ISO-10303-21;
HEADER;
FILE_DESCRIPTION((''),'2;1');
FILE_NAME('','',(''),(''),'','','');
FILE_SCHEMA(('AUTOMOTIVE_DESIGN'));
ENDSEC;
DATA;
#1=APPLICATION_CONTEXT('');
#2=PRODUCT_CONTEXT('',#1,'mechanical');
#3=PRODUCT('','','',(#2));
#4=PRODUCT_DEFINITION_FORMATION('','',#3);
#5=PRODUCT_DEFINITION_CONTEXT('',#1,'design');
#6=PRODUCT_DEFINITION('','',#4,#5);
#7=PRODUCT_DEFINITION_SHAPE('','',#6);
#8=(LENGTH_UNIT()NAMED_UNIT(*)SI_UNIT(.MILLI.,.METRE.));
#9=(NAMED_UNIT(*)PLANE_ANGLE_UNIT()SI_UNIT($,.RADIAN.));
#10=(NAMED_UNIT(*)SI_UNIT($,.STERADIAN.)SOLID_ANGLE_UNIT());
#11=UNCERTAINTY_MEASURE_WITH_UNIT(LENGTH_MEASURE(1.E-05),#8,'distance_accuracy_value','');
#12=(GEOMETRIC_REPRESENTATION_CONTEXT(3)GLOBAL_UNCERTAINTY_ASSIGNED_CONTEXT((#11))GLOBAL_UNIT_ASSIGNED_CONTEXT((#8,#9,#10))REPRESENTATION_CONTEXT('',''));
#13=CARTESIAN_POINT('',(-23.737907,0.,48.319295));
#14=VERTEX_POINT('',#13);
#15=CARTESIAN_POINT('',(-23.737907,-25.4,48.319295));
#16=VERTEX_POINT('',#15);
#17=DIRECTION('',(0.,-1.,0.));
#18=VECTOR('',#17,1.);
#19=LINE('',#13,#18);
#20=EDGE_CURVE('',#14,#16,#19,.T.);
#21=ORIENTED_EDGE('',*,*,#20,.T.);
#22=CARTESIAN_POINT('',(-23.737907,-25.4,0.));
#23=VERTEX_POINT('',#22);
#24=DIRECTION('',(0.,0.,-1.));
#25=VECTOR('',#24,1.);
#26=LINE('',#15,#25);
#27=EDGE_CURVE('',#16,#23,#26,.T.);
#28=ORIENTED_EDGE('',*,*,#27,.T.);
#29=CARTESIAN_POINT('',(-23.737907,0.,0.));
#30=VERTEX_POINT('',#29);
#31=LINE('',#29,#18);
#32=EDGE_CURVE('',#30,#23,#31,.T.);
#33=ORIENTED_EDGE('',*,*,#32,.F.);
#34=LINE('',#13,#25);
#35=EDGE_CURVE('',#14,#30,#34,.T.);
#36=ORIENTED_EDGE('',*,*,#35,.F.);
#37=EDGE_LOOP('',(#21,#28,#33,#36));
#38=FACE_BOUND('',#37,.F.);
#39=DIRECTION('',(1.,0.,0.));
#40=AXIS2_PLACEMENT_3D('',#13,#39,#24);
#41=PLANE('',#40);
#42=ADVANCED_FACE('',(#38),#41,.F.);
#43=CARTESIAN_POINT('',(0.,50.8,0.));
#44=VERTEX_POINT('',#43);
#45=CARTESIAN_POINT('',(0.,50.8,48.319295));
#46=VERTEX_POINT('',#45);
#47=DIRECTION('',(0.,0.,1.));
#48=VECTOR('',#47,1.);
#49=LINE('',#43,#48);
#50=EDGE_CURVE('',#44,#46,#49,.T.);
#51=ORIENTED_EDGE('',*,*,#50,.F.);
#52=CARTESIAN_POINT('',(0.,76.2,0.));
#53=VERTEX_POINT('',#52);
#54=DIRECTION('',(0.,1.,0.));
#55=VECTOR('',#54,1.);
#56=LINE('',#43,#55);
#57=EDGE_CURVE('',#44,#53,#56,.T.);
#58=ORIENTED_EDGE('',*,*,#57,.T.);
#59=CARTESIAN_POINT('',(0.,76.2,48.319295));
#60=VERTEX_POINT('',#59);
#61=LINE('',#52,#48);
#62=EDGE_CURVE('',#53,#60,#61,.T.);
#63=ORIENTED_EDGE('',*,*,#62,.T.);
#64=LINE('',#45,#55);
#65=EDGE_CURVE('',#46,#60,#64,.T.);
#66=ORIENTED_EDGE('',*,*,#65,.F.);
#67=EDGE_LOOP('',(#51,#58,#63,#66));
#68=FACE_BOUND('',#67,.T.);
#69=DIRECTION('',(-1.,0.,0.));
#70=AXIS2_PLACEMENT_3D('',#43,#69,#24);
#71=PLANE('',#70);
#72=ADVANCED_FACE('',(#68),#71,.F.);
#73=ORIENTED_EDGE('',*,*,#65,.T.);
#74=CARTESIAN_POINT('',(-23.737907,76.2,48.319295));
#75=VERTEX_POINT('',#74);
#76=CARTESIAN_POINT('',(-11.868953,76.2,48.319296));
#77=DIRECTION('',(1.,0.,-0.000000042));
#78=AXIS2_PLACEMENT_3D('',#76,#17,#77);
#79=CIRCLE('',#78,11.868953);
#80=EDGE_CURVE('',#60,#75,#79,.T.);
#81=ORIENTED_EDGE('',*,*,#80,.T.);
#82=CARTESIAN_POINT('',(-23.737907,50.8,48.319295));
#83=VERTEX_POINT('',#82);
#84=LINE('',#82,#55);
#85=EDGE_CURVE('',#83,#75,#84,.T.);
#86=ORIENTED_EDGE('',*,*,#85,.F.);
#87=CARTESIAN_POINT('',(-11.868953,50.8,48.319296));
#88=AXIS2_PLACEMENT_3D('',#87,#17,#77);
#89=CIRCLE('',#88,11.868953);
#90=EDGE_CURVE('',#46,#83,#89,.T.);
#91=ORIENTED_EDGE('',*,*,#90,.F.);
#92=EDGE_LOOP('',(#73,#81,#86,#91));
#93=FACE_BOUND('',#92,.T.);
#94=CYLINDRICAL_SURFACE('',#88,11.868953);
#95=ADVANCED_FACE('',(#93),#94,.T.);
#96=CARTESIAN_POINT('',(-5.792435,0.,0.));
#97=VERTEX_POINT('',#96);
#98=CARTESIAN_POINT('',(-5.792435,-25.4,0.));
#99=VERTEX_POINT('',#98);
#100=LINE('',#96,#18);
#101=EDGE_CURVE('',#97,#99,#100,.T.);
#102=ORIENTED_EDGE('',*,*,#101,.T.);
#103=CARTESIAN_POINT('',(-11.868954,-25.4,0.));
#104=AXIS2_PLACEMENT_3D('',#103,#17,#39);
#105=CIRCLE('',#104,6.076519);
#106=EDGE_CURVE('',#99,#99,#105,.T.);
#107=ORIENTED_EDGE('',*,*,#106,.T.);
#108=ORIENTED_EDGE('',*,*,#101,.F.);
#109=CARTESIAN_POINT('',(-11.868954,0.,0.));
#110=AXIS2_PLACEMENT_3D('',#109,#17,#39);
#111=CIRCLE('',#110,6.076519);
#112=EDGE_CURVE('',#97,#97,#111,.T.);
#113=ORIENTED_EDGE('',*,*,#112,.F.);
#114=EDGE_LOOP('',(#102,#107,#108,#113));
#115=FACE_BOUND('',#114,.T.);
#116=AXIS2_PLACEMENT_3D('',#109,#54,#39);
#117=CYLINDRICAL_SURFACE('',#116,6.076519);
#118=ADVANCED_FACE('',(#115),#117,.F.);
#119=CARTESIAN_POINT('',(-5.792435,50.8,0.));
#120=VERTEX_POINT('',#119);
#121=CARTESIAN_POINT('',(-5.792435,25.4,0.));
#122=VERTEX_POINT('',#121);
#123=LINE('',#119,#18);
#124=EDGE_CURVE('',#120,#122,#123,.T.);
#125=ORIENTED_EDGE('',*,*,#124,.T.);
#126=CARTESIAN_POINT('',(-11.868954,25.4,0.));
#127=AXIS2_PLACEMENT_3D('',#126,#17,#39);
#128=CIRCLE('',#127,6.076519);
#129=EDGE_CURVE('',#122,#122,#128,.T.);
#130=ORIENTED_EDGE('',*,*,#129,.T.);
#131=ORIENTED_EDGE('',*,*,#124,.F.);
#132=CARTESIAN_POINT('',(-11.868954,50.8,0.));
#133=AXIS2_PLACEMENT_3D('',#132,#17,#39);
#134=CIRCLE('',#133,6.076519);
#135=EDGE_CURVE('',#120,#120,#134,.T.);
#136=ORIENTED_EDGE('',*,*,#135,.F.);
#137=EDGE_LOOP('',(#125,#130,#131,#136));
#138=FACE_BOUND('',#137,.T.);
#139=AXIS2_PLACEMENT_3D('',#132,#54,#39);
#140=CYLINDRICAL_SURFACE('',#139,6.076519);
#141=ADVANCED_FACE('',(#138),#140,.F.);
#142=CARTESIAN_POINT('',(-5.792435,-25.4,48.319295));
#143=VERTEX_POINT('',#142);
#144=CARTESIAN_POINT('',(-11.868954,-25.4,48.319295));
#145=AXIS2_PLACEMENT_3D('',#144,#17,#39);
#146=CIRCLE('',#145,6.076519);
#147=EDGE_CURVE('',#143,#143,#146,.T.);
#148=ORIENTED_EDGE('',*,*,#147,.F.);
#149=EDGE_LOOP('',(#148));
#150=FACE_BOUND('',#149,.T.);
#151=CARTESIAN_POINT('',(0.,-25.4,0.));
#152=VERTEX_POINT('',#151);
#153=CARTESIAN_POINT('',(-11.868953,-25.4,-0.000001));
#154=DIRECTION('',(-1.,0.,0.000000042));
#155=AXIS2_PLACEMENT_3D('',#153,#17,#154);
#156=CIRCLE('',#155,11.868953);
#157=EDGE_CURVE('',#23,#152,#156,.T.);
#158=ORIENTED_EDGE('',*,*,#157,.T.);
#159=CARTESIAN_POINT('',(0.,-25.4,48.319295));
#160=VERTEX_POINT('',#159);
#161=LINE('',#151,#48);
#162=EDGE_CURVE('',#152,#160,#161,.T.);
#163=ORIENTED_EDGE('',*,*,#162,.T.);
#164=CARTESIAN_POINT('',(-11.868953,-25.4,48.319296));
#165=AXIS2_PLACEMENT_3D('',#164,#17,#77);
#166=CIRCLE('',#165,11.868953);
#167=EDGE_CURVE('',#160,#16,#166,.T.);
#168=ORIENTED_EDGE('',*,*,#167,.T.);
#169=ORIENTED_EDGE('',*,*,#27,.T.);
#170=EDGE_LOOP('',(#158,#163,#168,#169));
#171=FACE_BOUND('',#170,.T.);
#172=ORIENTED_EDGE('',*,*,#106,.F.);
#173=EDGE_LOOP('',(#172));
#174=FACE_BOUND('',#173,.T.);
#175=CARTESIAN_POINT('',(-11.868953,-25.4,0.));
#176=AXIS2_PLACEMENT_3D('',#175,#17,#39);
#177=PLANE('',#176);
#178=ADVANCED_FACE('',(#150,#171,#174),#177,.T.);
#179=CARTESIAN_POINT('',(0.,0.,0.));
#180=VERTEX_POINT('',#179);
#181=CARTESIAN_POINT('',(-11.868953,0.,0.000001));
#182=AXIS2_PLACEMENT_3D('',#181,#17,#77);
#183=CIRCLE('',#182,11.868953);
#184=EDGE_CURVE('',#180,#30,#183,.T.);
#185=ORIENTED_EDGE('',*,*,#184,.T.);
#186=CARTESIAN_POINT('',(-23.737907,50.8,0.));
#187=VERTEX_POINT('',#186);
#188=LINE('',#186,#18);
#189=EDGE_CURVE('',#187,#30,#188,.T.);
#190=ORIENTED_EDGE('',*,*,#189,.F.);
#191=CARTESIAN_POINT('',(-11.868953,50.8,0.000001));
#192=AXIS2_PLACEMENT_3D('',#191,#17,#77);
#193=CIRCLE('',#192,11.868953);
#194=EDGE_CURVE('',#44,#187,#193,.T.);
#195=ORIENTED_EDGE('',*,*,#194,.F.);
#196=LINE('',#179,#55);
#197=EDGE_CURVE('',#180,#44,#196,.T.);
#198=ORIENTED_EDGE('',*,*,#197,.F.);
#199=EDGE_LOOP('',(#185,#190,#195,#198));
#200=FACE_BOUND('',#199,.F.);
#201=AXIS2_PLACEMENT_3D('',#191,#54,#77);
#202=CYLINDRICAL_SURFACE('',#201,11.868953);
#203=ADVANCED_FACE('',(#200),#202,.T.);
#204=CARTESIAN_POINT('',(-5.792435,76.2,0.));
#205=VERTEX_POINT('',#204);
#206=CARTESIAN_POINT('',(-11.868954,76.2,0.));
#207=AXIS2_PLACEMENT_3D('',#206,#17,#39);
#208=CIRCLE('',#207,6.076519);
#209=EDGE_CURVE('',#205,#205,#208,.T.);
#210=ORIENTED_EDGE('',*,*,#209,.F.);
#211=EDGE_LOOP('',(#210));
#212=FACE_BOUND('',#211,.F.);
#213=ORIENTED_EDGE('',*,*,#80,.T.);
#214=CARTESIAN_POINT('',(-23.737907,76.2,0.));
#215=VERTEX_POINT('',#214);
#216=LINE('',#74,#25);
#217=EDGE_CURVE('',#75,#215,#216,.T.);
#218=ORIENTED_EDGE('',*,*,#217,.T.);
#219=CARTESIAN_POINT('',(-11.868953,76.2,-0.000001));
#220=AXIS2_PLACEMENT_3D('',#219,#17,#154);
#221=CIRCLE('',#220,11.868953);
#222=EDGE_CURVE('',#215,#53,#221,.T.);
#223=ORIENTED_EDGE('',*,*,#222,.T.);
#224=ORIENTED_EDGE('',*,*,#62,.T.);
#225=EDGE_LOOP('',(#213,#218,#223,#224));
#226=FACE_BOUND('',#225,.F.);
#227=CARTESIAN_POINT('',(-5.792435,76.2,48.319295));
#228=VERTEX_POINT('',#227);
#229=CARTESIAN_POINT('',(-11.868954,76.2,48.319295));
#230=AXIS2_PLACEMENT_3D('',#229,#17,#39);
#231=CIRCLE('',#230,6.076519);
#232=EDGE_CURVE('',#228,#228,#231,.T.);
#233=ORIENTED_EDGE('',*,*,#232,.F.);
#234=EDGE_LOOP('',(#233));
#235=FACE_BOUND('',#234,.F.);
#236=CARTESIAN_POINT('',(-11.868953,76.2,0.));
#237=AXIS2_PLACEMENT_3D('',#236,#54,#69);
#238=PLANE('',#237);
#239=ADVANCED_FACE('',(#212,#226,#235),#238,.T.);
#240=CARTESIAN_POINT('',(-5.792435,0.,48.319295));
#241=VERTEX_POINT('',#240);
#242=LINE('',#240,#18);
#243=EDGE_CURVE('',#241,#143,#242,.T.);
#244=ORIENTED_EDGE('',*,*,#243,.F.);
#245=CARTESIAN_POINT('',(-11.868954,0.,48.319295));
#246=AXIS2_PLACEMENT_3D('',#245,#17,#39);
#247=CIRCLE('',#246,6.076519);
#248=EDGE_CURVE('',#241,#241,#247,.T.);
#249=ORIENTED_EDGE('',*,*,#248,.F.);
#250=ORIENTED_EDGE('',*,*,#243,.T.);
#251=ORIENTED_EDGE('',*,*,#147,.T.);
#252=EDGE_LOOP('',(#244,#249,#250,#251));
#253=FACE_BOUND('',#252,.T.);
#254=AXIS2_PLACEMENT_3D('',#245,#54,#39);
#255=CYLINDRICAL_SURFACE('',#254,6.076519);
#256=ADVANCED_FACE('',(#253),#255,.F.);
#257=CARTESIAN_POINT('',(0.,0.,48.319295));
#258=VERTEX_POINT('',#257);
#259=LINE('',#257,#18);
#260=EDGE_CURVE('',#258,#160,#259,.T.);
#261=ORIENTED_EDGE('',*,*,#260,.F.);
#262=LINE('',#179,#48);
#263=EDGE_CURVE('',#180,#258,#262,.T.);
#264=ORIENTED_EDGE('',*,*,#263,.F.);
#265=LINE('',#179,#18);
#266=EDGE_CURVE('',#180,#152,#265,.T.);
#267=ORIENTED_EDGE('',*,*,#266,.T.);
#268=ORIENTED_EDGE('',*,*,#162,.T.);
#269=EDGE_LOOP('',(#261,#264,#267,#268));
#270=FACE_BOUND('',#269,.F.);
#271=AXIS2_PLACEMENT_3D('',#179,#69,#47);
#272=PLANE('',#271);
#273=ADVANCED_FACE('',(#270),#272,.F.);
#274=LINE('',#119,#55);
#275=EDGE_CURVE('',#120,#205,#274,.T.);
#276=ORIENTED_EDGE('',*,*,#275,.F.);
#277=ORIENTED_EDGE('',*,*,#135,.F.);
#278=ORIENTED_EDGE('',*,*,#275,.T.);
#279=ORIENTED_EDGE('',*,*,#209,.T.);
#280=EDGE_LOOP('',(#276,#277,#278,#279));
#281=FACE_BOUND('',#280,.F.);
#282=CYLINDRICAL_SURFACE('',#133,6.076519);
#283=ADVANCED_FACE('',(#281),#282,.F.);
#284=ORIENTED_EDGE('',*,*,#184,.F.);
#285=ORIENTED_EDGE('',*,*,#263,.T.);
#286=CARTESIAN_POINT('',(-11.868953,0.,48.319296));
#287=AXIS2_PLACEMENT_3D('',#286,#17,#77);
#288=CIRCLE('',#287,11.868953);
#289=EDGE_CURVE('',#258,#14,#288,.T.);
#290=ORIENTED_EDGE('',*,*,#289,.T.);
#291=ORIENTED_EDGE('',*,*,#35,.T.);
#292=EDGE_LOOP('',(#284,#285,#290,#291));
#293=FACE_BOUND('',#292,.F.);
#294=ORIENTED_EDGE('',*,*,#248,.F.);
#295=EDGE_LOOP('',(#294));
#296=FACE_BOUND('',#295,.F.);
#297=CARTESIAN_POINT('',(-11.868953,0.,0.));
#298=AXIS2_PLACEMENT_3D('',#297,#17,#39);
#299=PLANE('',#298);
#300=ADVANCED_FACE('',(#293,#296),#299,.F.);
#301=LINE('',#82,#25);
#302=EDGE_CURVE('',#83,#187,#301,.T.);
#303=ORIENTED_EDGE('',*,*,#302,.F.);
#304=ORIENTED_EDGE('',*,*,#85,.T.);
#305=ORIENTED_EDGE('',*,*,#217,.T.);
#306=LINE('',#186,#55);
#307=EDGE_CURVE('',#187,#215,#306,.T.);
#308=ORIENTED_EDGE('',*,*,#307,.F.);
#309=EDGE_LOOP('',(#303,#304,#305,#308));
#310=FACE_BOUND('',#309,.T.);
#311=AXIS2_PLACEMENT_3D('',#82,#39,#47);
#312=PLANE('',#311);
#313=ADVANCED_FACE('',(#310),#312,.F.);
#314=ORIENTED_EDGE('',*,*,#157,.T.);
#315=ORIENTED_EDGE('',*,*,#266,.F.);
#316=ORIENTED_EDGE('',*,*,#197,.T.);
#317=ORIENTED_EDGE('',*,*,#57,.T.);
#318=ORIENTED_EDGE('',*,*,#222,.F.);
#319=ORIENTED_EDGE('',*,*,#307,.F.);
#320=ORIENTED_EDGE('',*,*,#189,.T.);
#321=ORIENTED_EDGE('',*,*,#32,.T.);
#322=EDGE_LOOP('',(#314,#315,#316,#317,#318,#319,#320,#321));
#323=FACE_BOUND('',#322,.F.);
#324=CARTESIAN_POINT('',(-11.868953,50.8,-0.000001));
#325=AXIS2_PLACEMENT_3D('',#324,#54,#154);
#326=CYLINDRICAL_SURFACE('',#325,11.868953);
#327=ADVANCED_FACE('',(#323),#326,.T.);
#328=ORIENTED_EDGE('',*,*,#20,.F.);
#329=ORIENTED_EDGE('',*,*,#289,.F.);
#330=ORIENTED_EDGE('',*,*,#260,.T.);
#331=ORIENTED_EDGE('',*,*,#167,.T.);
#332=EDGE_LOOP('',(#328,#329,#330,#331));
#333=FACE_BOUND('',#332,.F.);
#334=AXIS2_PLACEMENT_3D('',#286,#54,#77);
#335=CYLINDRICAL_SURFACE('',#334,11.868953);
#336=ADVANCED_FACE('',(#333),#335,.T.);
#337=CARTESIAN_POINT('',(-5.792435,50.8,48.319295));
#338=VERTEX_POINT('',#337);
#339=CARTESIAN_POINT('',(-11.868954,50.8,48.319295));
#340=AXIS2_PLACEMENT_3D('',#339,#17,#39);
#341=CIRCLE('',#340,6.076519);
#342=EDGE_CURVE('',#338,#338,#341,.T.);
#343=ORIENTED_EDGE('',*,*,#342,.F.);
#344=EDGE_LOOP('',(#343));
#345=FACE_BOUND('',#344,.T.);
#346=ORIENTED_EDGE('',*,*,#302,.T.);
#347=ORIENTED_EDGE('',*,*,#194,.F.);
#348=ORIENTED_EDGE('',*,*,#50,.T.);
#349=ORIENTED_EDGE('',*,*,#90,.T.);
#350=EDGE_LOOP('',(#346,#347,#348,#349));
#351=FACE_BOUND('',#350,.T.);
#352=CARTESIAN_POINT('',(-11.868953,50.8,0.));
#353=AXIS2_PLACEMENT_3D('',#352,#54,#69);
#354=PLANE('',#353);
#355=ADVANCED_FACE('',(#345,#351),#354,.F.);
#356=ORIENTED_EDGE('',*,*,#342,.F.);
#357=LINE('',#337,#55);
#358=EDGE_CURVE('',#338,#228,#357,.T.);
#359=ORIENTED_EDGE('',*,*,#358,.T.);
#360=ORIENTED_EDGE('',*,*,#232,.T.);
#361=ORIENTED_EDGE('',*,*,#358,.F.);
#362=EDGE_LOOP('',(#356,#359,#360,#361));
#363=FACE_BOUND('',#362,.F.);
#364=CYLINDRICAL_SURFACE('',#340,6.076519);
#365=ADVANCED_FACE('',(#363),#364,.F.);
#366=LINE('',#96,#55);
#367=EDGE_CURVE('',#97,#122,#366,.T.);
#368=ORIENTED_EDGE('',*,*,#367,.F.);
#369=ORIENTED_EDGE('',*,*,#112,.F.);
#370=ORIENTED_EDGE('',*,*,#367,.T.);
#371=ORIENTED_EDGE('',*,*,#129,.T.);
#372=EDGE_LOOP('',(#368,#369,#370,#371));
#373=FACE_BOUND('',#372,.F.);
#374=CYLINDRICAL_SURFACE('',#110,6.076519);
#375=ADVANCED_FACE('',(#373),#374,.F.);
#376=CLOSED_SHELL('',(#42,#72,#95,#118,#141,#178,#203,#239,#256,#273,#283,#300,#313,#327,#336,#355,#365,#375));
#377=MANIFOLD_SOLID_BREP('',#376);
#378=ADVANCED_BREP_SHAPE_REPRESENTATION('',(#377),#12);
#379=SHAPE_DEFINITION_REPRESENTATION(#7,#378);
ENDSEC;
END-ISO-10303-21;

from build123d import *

# Parameters (mm, degrees)
F0_R     = 6.076519
F1_DEPTH = 25.4
F2_DEPTH = 25.4


with BuildPart() as f1:
    # F0 (on Front) → F1 (new body)
    with BuildSketch(Plane.XZ):
        with BuildLine():
            ThreePointArc((0, 0), (-11.868954, 11.868954), (-23.737907, 0))
            ThreePointArc((-23.737907, 0), (-11.868954, -11.868954), (0, 0))
        make_face()
        with Locations((-11.868954, 0)):
            Circle(F0_R, mode=Mode.SUBTRACT)
        with BuildLine():
            Line((-23.737907, 48.319295), (-23.737907, 0))
            ThreePointArc((-23.737907, 0), (-11.868954, 11.868954), (0, 0))
            Line((0, 0), (0, 48.319295))
            ThreePointArc((0, 48.319295), (-11.868954, 60.188249), (-23.737907, 48.319295))
        make_face()
        with Locations((-11.868954, 48.319295)):
            Circle(F0_R, mode=Mode.SUBTRACT)
    extrude(amount=F1_DEPTH)

    # F0 (on Front) → F2 (join)
    with BuildSketch(Plane.XZ):
        with BuildLine():
            ThreePointArc((0, 0), (-11.868954, 11.868954), (-23.737907, 0))
            ThreePointArc((-23.737907, 0), (-11.868954, -11.868954), (0, 0))
        make_face()
        with Locations((-11.868954, 0)):
            Circle(F0_R, mode=Mode.SUBTRACT)
    extrude(amount=-F2_DEPTH)

    # F3: F1 across face


with BuildPart() as f1_1:
    add(f1.part)
    add(f1.part.mirror(Plane(origin=(-11.868954, 25.4, 0), x_dir=(1, 0, 0), z_dir=(0, 1, 0))))


solid = f1_1.part
